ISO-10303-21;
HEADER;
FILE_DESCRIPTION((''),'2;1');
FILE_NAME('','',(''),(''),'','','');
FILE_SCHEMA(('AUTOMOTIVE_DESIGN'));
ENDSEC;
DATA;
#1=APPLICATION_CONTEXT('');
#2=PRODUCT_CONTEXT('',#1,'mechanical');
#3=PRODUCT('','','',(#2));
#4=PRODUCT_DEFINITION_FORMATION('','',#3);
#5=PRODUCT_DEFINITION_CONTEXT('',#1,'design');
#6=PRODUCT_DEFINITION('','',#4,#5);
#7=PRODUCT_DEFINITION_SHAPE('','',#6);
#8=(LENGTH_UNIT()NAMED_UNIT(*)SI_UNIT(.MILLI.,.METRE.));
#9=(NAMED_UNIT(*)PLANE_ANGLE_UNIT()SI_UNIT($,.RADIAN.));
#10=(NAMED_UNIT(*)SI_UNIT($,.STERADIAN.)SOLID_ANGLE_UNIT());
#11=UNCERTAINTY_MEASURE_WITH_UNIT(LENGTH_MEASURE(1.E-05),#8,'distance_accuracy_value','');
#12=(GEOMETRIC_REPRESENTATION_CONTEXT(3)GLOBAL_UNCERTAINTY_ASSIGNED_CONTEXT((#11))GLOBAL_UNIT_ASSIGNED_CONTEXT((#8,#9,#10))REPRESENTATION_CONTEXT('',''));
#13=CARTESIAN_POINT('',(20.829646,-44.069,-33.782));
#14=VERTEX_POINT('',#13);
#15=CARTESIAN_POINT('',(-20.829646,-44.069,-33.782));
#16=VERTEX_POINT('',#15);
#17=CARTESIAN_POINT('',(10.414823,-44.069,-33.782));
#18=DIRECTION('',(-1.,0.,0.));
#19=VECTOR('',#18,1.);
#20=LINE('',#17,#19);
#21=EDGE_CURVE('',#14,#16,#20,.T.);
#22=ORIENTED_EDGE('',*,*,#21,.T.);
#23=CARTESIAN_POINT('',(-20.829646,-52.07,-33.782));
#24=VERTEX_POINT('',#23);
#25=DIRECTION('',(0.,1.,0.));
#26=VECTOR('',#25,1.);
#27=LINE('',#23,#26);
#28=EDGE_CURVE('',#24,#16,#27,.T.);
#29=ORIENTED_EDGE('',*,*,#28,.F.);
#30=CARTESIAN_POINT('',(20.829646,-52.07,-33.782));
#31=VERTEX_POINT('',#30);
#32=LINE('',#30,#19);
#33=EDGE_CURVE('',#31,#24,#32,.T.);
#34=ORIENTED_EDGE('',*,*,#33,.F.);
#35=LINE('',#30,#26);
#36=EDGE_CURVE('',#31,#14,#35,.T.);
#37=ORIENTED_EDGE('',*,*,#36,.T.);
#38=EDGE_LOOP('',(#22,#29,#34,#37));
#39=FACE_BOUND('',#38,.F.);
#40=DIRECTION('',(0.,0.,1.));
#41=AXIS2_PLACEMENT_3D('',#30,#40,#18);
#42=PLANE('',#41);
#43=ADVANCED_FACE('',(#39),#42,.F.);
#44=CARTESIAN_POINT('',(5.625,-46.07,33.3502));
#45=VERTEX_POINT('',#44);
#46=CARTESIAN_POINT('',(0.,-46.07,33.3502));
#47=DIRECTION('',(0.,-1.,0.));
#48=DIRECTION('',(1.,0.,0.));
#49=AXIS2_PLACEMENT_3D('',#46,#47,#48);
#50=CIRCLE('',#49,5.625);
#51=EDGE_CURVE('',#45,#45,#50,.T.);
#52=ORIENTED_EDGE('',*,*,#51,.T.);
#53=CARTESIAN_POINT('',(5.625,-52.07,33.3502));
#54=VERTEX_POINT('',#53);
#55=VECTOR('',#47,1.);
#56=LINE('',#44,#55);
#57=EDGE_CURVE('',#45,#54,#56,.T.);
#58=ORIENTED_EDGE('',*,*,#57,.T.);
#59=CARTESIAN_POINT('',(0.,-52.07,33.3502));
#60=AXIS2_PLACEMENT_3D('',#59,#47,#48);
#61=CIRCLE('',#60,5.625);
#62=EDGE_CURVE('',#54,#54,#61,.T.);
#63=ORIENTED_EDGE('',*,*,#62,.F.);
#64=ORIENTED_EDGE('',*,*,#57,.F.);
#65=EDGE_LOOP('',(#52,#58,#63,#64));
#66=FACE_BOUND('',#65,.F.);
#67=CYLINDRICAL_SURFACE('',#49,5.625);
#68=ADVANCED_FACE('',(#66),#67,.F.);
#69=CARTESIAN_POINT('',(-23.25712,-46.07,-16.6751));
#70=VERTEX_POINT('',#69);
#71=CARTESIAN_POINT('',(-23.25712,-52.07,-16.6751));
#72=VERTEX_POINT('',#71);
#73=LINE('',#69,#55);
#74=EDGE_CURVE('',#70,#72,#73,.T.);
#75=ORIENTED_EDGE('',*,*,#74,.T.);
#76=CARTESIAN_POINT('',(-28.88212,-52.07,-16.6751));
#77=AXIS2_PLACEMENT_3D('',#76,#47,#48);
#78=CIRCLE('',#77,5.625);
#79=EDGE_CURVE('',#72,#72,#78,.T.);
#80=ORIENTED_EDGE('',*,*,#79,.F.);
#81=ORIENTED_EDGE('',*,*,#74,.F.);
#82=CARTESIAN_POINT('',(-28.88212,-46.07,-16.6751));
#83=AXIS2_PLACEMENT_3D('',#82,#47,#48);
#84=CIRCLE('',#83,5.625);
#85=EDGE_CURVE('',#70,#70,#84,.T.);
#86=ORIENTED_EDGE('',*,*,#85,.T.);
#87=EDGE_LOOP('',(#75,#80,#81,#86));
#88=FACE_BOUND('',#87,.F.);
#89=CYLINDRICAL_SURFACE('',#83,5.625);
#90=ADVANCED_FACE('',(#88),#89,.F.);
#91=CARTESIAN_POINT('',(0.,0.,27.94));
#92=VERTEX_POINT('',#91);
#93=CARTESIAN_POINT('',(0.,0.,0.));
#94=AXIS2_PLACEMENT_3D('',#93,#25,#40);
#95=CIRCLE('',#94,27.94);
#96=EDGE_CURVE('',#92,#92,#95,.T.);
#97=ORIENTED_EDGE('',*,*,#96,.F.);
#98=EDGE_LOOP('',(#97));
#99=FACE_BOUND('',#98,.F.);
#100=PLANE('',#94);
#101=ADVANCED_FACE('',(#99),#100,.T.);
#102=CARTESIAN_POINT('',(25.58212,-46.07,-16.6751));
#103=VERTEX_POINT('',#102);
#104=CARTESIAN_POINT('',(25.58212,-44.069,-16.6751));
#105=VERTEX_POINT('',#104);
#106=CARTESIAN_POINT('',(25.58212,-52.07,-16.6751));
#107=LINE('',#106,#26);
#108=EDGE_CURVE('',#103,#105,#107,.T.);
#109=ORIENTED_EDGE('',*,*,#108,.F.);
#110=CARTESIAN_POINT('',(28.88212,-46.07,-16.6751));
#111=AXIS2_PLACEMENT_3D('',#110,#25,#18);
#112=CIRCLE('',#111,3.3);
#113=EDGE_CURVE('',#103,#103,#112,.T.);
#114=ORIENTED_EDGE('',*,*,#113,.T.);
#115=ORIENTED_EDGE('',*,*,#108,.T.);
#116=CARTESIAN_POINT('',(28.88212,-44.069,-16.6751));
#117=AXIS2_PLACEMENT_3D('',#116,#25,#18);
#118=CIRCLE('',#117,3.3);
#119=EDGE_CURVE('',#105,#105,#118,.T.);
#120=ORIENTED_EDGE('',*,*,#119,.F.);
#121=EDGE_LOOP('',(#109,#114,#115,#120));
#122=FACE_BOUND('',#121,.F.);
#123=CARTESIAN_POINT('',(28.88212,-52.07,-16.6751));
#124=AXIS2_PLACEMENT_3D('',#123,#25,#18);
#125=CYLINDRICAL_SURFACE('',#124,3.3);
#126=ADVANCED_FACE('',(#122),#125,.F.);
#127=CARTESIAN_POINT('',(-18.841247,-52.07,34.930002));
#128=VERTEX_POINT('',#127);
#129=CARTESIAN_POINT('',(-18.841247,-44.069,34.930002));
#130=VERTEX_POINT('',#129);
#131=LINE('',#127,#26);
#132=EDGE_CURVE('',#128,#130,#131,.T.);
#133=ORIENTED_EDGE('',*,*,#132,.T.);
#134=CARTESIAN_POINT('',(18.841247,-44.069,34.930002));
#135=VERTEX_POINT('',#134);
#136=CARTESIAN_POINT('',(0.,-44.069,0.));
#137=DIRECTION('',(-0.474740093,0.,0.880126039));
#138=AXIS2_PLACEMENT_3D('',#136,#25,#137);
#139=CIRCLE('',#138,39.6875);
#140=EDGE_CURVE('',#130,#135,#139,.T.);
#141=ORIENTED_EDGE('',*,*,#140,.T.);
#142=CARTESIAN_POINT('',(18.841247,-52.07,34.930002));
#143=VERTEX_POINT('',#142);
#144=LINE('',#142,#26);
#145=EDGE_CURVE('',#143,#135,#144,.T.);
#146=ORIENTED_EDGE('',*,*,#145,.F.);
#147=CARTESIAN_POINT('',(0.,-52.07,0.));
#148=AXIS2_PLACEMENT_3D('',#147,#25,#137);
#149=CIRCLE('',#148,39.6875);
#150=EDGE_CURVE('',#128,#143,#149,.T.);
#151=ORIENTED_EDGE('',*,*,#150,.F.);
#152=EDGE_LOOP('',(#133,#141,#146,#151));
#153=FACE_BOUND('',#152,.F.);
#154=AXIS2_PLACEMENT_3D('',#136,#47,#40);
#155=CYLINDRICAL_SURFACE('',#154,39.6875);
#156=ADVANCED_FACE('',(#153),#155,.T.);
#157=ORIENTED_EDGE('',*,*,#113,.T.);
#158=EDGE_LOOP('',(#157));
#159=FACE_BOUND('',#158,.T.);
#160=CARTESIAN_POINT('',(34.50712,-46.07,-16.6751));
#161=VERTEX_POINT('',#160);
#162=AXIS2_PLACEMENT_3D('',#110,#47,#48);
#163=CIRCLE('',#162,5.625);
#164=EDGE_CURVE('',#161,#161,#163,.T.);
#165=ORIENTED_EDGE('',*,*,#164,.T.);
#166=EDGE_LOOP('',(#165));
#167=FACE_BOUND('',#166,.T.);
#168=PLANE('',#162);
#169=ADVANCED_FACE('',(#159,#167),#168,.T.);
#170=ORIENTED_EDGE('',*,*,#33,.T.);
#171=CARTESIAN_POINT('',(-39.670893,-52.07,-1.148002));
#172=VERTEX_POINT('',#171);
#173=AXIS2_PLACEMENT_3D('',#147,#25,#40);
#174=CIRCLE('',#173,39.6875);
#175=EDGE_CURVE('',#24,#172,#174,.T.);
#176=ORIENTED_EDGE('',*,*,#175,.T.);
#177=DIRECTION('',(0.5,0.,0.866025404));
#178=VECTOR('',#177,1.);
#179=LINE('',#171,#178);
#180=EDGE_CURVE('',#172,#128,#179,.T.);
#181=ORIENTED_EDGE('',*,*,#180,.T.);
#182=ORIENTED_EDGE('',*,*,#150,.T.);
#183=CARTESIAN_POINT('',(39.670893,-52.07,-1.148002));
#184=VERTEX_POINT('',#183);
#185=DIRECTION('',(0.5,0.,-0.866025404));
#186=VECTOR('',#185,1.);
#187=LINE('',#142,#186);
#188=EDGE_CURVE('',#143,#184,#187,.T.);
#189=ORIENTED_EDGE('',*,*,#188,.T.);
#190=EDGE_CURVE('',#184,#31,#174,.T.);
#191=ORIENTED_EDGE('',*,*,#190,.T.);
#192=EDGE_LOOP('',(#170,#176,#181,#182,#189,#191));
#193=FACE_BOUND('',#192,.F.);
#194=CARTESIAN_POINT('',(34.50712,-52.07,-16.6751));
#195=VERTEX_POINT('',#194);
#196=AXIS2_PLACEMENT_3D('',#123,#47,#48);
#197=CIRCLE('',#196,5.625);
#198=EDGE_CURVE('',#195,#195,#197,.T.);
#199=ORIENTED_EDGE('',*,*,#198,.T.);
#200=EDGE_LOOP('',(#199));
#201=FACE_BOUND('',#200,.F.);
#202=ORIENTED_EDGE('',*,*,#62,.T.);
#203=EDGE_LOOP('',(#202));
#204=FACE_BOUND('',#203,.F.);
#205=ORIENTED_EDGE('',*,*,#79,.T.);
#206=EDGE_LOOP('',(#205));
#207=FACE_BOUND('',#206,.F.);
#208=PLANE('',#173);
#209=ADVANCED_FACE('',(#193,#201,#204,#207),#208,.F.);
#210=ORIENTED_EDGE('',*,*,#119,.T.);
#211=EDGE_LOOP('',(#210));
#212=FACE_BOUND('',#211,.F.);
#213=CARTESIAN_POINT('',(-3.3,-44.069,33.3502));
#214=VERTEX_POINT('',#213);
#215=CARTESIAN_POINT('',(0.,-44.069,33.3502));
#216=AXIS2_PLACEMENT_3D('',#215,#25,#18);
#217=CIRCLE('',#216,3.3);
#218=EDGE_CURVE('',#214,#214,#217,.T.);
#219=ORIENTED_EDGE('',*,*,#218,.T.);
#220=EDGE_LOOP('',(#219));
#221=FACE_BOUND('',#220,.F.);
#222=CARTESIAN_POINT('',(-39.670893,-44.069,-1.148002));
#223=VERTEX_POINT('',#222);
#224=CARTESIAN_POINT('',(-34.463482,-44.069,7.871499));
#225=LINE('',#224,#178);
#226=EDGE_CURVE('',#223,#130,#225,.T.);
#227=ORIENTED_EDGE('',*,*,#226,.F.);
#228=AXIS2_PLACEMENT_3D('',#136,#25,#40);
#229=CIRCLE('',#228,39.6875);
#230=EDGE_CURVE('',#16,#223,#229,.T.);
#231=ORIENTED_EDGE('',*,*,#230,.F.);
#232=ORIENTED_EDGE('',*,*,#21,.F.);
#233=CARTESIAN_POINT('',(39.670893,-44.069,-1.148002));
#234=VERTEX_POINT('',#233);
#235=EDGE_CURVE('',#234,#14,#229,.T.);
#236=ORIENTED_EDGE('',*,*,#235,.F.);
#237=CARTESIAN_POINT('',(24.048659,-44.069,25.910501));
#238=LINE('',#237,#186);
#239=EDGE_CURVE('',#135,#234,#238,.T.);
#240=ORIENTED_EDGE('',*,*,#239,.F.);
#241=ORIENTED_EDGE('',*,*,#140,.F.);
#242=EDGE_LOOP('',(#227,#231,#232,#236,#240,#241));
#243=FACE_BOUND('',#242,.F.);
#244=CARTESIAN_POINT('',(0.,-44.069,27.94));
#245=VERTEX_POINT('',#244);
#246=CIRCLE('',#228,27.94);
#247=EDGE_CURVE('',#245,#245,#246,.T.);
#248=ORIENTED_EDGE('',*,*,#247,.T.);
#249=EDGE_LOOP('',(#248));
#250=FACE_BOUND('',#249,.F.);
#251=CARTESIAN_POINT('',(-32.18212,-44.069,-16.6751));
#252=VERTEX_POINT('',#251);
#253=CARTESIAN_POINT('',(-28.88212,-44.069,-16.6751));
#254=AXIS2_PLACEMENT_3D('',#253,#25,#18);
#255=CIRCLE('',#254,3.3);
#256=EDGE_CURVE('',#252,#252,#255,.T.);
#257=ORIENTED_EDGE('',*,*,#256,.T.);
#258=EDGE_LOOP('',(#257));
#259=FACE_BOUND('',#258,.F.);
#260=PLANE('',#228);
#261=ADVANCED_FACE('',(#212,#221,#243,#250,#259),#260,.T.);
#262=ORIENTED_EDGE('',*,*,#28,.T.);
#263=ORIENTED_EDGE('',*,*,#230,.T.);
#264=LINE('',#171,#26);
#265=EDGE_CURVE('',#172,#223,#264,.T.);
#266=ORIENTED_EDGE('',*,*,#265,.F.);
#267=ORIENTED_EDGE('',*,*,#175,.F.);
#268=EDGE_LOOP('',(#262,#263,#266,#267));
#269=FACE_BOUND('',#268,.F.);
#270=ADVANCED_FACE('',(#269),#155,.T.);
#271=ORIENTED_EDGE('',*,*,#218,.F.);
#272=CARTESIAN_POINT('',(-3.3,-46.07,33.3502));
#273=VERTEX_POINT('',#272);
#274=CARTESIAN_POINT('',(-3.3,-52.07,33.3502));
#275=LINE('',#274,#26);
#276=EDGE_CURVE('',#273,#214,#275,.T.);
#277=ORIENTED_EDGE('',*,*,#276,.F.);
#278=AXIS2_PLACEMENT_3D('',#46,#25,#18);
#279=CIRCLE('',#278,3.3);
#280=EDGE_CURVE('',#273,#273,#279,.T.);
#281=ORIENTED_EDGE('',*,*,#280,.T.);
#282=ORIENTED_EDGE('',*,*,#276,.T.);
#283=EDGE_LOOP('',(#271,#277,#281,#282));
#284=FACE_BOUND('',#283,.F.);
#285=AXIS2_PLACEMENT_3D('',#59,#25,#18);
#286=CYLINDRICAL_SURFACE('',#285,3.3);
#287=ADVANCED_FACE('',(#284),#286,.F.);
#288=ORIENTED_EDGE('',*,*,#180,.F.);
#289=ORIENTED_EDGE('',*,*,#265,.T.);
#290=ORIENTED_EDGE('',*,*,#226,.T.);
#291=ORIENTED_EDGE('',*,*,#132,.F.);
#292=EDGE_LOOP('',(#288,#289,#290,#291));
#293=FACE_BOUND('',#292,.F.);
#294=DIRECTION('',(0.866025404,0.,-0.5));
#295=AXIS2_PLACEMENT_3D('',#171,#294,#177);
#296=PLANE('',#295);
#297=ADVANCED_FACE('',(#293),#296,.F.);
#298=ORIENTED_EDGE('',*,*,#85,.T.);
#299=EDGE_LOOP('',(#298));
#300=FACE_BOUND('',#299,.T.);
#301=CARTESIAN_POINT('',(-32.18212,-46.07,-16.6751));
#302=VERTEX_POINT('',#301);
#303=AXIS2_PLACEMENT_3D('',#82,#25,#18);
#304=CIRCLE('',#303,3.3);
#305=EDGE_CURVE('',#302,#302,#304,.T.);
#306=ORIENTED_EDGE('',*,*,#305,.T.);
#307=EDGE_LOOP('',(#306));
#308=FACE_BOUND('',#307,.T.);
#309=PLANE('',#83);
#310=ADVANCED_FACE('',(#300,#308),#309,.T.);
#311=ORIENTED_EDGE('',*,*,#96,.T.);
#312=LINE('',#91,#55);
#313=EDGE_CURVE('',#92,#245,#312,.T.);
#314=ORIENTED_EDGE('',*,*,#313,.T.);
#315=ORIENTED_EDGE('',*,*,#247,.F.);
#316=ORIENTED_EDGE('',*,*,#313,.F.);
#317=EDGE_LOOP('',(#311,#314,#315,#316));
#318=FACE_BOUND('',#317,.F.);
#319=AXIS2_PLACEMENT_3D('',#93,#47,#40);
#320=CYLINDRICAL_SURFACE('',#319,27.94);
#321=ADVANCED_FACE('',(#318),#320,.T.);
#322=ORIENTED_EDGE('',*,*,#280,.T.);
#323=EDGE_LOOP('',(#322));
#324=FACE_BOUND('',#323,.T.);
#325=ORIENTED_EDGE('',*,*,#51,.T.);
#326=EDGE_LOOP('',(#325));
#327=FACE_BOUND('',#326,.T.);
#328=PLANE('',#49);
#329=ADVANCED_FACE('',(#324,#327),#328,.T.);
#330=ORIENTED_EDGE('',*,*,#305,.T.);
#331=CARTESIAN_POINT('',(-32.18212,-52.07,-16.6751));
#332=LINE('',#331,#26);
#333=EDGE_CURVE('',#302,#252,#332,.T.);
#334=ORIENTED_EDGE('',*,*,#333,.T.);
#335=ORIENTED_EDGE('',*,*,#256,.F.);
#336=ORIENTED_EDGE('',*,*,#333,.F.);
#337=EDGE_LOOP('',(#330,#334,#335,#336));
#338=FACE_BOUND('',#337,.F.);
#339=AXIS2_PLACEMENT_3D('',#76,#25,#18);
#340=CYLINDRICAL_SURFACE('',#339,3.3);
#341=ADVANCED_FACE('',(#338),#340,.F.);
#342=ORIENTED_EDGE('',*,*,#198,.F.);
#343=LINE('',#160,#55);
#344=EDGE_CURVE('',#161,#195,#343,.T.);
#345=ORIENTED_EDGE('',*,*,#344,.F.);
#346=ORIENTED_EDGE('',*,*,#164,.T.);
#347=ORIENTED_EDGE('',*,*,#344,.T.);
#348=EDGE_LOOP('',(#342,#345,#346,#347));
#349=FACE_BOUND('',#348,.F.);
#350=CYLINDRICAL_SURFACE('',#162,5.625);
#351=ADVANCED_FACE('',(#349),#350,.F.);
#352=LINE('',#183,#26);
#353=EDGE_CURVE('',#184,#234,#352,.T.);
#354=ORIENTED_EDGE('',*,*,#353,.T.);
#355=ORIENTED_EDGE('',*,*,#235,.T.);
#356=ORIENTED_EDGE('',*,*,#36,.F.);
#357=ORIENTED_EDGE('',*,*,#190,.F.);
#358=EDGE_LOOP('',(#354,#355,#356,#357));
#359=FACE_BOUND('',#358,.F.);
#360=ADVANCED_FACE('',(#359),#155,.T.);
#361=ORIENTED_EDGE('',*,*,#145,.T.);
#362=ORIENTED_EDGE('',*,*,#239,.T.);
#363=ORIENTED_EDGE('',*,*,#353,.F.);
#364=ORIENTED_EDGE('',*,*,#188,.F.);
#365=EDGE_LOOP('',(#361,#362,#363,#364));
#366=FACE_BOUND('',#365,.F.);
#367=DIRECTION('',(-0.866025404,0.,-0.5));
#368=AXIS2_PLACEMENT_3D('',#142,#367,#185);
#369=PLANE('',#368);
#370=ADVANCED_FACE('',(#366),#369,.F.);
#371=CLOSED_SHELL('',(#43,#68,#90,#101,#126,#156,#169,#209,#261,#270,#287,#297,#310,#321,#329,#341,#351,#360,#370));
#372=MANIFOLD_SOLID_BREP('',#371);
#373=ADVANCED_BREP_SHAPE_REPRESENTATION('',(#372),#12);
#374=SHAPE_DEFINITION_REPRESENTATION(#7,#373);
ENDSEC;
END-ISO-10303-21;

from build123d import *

# Parameters (mm, degrees)
F3_D           = 6.6
F3_CBORE_D     = 11.25
F3_CBORE_DEPTH = 6
F5_DEPTH       = 52.071


with BuildPart() as f1:
    # F0 (on Right) → F1 (revolve)
    with BuildSketch(Plane.YZ):
        Polygon((-52.07, 0), (0, 0), (0, 27.94), (-44.069, 27.94), (-44.069, 39.6875), (-52.07, 39.6875), align=None)
    revolve(axis=Axis((0, -34.9322228922, 0), (0, 1, 0)))

    # F3 (through all)
    with Locations(Plane.XZ.offset(52.07)):
        with Locations((0, 33.3502), (-28.8821204213, -16.6751), (28.8821204213, -16.6751)):
            CounterBoreHole(F3_D / 2, F3_CBORE_D / 2, F3_CBORE_DEPTH)

    # F4 (on face) → F5 (cut, through all)
    with BuildSketch(Plane.XZ.offset(52.07)):
        with BuildLine():
            ThreePointArc((39.6875, 0), (34.0797569223, 20.3388255405), (18.8412474335, 34.9300021672))
            Line((18.8412474335, 34.9300021672), (39.6708929478, -1.1480021672))
            ThreePointArc((39.6708929478, -1.1480021672), (39.6833480198, -0.57406114), (39.6875, 0))
        make_face()
        with BuildLine():
            Line((-39.6708929478, -1.1480021672), (-18.8412474335, 34.9300021672))
            ThreePointArc((-18.8412474335, 34.9300021672), (-34.3703832127, 19.84375), (-39.6708929478, -1.1480021672))
        make_face()
        with BuildLine():
            ThreePointArc((-20.8296455143, -33.782), (0, -39.6875), (20.8296455143, -33.782))
            Line((20.8296455143, -33.782), (-20.8296455143, -33.782))
        make_face()
    extrude(amount=-F5_DEPTH, mode=Mode.SUBTRACT)


solid = f1.part
